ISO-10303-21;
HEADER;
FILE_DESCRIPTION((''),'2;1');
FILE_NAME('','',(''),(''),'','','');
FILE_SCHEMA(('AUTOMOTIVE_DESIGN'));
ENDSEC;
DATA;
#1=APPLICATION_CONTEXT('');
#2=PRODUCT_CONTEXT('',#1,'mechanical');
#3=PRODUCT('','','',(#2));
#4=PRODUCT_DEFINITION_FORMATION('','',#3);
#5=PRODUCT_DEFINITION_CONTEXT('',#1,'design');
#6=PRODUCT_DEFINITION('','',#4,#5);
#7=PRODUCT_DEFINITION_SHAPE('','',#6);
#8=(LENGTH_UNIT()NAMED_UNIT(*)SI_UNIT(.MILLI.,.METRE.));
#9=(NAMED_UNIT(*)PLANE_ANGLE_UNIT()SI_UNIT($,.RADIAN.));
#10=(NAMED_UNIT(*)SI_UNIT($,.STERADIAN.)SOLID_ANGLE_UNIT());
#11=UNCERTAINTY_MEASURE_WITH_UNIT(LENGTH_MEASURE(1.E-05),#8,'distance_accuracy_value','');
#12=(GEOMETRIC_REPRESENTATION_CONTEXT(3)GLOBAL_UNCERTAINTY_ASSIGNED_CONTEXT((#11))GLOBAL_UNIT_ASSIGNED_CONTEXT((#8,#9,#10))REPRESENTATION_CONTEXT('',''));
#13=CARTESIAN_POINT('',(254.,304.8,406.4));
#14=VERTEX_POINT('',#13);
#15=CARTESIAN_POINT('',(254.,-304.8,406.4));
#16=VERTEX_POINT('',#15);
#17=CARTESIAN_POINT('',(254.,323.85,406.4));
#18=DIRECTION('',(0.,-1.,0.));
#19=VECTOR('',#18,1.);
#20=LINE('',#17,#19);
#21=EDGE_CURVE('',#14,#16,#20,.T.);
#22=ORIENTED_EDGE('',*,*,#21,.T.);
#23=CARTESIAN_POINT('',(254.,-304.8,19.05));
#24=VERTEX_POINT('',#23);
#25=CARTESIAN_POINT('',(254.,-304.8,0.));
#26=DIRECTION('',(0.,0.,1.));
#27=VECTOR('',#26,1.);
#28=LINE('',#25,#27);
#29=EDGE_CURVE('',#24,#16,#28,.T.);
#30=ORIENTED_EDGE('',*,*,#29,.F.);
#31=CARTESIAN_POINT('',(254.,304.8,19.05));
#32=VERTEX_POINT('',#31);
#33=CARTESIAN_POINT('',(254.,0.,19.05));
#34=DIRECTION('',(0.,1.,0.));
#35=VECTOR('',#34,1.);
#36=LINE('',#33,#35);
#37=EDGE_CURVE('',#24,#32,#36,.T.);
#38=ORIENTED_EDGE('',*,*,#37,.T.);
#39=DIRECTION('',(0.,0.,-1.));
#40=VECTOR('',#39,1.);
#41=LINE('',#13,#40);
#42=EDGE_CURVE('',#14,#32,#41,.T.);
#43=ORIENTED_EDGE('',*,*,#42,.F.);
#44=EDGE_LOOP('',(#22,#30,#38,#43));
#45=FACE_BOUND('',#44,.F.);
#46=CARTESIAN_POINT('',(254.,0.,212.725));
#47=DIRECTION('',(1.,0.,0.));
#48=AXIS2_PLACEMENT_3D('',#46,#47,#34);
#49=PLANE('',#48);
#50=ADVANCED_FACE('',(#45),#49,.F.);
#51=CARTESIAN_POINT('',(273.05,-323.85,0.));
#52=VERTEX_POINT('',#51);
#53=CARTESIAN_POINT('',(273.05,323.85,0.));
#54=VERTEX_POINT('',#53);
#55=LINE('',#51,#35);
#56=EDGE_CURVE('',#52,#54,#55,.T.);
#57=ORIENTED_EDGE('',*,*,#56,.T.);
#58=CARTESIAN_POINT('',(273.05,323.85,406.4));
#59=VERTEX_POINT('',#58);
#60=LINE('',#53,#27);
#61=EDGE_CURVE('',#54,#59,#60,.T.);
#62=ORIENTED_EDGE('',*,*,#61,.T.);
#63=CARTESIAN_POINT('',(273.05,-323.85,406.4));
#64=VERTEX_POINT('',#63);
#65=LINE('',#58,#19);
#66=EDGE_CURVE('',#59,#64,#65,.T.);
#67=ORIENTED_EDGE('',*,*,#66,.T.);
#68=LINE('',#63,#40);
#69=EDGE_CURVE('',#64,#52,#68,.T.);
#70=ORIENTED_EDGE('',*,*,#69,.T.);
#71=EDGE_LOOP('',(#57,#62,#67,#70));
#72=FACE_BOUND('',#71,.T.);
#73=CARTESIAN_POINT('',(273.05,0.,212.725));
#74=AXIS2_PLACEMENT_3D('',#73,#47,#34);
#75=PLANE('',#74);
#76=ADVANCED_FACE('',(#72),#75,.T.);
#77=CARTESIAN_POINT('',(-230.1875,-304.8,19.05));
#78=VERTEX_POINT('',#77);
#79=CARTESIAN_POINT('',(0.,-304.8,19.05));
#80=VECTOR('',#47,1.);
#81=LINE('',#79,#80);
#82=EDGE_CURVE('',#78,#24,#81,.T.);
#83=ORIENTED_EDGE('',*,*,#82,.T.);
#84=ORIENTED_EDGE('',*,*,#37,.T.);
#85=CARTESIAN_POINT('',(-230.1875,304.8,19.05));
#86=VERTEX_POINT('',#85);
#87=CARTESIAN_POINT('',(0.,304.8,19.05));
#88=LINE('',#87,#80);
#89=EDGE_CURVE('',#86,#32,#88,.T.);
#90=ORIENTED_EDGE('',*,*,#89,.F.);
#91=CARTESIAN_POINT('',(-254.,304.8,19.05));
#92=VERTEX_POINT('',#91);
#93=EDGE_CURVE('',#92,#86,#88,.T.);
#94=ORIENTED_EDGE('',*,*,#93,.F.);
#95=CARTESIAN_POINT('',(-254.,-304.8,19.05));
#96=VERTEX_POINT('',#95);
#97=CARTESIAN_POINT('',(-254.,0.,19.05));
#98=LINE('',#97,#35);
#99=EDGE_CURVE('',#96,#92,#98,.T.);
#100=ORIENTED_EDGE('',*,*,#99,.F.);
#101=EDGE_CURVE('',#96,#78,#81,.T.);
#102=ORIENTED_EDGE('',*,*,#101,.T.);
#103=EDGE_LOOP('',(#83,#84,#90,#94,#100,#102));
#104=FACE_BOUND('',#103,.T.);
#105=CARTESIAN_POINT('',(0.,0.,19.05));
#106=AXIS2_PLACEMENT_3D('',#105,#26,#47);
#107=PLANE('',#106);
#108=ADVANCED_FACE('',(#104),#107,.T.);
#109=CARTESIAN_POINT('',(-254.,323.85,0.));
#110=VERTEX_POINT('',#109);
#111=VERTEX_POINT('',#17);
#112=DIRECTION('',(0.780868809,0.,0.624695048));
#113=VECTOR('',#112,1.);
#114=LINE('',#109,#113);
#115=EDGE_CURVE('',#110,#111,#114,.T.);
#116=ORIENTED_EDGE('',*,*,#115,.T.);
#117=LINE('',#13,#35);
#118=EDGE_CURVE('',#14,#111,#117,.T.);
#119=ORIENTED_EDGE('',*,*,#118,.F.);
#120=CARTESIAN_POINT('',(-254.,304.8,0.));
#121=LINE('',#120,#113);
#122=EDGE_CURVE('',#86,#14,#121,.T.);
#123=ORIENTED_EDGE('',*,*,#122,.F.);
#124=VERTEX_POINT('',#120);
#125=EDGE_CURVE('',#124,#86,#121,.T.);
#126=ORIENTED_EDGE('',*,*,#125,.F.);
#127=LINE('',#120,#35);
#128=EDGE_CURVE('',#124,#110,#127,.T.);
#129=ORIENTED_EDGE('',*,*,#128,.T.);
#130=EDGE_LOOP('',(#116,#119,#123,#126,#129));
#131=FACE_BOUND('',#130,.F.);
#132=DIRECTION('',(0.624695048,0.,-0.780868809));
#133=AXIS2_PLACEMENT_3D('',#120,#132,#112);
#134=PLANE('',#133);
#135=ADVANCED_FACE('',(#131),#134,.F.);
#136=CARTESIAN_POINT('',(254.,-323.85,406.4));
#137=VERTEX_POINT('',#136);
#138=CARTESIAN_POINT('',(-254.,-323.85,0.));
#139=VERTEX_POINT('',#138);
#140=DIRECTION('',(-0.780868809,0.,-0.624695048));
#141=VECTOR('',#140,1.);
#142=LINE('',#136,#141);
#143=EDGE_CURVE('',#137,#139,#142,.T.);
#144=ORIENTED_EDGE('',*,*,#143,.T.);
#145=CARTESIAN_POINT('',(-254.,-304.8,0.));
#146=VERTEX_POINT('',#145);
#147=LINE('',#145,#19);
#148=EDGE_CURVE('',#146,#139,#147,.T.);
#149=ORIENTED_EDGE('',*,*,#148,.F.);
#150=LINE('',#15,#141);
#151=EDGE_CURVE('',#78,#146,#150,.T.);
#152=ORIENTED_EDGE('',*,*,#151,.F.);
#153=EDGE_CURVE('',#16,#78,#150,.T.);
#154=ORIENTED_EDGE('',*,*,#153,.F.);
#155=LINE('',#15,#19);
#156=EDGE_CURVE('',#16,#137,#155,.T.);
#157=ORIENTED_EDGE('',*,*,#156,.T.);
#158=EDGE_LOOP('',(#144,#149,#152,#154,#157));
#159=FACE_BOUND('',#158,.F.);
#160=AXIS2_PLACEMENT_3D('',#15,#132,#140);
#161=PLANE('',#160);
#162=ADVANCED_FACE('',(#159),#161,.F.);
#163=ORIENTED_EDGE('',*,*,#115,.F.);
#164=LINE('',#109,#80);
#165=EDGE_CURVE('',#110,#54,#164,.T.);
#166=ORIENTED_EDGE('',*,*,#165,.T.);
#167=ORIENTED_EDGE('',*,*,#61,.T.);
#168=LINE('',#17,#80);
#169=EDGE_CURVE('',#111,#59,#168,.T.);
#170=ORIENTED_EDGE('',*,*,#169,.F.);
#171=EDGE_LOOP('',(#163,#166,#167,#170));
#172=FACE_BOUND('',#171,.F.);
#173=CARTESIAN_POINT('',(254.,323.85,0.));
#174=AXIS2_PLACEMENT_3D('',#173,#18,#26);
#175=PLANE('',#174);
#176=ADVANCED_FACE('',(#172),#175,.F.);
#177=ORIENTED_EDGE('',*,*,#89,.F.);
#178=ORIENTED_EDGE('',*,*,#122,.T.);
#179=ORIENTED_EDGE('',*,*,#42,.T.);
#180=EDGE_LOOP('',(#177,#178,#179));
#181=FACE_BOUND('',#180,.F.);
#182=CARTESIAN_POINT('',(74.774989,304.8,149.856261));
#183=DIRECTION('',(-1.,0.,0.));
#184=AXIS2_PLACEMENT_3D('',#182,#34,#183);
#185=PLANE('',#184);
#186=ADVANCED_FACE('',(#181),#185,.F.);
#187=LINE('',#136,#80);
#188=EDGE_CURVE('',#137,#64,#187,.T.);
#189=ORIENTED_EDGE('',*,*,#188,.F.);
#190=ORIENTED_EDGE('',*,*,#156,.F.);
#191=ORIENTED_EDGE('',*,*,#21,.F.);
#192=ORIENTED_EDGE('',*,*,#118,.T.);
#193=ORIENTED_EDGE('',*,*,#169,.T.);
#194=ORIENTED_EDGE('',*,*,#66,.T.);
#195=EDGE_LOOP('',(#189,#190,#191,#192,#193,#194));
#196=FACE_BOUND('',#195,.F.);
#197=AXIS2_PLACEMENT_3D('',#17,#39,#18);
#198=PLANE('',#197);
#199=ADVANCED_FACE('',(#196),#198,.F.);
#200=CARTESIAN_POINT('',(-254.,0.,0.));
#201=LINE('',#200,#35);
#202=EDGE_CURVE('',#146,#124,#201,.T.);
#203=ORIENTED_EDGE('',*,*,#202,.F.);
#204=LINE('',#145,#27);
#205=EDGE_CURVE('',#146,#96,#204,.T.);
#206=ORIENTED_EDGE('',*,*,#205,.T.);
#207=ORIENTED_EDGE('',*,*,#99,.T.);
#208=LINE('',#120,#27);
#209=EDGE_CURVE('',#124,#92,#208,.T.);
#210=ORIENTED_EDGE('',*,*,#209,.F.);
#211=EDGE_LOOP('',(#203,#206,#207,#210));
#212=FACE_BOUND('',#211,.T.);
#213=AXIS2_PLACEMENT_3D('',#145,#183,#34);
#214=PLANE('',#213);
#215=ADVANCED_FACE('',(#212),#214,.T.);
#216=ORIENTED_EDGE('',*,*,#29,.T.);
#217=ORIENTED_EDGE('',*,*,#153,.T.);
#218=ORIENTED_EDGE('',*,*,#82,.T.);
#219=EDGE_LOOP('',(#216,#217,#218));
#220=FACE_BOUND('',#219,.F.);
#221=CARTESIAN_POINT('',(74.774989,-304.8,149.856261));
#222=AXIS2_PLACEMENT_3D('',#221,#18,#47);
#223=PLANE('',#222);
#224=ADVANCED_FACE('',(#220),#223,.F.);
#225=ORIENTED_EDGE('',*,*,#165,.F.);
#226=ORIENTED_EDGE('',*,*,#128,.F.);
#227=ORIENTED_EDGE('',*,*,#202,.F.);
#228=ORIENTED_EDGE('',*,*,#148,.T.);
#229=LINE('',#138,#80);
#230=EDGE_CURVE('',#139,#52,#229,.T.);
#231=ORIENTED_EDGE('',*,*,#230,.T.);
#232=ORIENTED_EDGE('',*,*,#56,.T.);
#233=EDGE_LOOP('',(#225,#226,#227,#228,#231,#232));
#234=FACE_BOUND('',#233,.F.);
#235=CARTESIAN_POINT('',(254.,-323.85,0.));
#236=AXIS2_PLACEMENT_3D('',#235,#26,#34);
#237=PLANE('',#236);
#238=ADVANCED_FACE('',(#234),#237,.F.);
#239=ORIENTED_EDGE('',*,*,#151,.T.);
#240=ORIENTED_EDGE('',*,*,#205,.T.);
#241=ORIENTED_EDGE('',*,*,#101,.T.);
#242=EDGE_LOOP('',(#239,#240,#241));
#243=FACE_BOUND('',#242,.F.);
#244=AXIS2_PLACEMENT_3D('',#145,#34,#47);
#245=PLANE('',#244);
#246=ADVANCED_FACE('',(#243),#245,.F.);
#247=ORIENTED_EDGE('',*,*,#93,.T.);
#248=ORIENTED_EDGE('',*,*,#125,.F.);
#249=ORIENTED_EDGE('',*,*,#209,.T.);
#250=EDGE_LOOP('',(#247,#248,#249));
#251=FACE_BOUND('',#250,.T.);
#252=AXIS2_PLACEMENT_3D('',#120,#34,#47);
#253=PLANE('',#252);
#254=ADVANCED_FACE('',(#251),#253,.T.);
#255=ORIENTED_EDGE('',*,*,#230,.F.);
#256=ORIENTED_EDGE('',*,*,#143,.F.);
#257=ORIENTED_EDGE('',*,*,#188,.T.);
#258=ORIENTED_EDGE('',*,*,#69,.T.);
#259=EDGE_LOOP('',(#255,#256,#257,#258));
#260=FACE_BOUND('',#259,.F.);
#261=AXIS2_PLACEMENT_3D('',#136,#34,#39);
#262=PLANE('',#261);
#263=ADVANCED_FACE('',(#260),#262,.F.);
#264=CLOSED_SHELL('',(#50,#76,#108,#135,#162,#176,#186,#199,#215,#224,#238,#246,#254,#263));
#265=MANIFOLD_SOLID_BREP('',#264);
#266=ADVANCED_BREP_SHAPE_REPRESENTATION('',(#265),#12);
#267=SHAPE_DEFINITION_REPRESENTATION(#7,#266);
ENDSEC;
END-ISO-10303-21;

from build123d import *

# Parameters (mm, degrees)
F0_W     = 508
F0_H     = 609.6
F1_DEPTH = 19.05
F3_DEPTH = 19.05
F5_DEPTH = 19.05
F6_W     = 609.6
F6_H     = 387.35
F7_DEPTH = 19.05


with BuildPart() as f1:
    # F0 (on Top) → F1 (new body)
    with BuildSketch(Plane.XY):
        Rectangle(F0_W, F0_H)
    extrude(amount=F1_DEPTH)

    # F2 (on face) → F3 (join)
    with BuildSketch(Plane.XZ.offset(304.8)):
        Polygon((-230.1875, 19.05), (254, 19.05), (254, 406.4), align=None)
        Polygon((-254, 0), (254, 0), (254, 19.05), (-230.1875, 19.05), align=None)
    extrude(amount=F3_DEPTH)

    # F4 (on face) → F5 (join)
    with BuildSketch(Plane(origin=(0, 304.8, 0), x_dir=(-1, 0, 0), z_dir=(0, 1, 0))):
        Polygon((-254, 406.4), (-254, 19.05), (230.1875, 19.05), align=None)
        Polygon((-254, 19.05), (-254, 0), (254, 0), (230.1875, 19.05), align=None)
    extrude(amount=F5_DEPTH)

    # F6 (on face) → F7 (join)
    with BuildSketch(Plane.YZ.offset(254)):
        with Locations((0, 212.725)):
            Rectangle(F6_W, F6_H)
        Polygon((-323.85, 0), (323.85, 0), (323.85, 406.4), (304.8, 406.4), (304.8, 19.05), (-304.8, 19.05), (-304.8, 406.4), (-323.85, 406.4), align=None)
    extrude(amount=F7_DEPTH)


solid = f1.part
